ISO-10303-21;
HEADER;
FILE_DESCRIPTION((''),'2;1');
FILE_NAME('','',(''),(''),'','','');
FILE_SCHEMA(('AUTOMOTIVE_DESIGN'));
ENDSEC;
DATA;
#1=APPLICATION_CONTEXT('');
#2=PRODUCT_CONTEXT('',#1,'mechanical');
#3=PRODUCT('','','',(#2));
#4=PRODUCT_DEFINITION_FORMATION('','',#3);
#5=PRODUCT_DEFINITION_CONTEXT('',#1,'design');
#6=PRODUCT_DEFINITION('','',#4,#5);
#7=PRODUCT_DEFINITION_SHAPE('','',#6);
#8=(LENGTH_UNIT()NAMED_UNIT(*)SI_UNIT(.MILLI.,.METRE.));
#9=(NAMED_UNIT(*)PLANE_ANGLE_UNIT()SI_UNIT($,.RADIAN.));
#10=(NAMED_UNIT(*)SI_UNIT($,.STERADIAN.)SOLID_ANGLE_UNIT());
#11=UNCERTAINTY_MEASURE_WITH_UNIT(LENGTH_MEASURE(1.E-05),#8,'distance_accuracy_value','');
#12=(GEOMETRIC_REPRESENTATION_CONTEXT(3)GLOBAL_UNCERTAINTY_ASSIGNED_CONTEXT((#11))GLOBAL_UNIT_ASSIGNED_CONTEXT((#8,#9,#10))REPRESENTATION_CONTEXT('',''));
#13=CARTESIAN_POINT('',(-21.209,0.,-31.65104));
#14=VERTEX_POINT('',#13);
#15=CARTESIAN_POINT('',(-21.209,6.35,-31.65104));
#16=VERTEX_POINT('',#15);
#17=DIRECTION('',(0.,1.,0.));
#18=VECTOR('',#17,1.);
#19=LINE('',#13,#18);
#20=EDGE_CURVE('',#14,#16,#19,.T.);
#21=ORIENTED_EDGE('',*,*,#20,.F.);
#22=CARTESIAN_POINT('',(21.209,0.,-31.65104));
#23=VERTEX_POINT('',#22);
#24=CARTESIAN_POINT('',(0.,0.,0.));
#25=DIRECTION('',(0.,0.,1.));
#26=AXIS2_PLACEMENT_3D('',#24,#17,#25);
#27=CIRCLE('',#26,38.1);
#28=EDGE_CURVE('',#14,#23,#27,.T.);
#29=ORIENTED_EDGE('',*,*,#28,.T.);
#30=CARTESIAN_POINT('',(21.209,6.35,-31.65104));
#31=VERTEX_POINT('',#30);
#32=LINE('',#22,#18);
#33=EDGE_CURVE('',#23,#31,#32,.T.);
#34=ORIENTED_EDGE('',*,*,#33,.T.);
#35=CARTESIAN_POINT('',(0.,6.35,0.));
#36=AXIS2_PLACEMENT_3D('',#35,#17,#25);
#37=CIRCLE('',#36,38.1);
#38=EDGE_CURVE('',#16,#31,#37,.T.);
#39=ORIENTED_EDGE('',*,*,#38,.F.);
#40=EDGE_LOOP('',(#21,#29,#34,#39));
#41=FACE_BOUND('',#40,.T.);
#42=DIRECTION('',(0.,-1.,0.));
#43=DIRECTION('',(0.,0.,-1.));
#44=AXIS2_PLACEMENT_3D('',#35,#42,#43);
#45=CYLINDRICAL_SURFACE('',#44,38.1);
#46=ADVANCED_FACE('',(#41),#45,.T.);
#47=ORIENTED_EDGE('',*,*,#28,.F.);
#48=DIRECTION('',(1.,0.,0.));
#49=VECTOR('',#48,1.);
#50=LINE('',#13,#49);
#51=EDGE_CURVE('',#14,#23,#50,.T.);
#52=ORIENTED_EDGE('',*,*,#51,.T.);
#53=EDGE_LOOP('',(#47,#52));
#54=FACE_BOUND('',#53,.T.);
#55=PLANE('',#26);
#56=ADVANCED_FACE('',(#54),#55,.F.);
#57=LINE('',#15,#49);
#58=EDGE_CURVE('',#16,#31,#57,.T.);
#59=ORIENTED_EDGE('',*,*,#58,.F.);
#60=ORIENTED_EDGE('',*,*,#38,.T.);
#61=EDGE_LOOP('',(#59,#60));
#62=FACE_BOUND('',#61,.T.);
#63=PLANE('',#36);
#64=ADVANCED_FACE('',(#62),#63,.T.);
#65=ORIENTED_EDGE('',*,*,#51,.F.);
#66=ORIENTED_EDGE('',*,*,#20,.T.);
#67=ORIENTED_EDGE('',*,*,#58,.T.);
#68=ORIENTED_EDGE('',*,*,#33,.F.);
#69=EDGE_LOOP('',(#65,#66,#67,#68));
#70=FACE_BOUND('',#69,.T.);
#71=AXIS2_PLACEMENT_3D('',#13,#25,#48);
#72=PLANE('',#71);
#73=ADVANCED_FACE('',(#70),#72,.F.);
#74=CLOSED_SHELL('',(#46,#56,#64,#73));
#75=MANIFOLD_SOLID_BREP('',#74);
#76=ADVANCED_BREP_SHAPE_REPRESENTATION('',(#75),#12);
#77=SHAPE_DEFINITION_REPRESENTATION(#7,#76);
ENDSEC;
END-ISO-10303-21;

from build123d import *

# Parameters (mm, degrees)
SKETCH1_R               = 38.1
BOSS_EXTRUDE1_DEPTH     = 6.35
CUT_EXTRUDE1_DEPTH      = 55.254423783
CUT_EXTRUDE1_DEPTH_BACK = 55.254423783


with BuildPart() as part:
    # Sketch1 → Boss-Extrude1 (new body)
    with BuildSketch(Plane(origin=(0, 0, 0), x_dir=(1, 0, 0), z_dir=(0, 1, 0))):
        with Locations(Location((0, 0, 0), (0, 0, 270))):
            Circle(SKETCH1_R)
    extrude(amount=BOSS_EXTRUDE1_DEPTH)

    # Sketch2 → Cut-Extrude1 (cut, two sides: drawn at the far end of the back side and taken through both)
    with BuildSketch(Plane(origin=(0, 6.35, 0), x_dir=(1, 0, 0), z_dir=(0, 1, 0)).offset(-CUT_EXTRUDE1_DEPTH_BACK)):
        with BuildLine():
            Line((-21.209, 31.651039778), (21.209, 31.651039778))
            ThreePointArc((21.209, 31.651039778), (0, 38.1), (-21.209, 31.651039778))
        make_face()
    extrude(amount=CUT_EXTRUDE1_DEPTH + CUT_EXTRUDE1_DEPTH_BACK, mode=Mode.SUBTRACT)


solid = part.part
